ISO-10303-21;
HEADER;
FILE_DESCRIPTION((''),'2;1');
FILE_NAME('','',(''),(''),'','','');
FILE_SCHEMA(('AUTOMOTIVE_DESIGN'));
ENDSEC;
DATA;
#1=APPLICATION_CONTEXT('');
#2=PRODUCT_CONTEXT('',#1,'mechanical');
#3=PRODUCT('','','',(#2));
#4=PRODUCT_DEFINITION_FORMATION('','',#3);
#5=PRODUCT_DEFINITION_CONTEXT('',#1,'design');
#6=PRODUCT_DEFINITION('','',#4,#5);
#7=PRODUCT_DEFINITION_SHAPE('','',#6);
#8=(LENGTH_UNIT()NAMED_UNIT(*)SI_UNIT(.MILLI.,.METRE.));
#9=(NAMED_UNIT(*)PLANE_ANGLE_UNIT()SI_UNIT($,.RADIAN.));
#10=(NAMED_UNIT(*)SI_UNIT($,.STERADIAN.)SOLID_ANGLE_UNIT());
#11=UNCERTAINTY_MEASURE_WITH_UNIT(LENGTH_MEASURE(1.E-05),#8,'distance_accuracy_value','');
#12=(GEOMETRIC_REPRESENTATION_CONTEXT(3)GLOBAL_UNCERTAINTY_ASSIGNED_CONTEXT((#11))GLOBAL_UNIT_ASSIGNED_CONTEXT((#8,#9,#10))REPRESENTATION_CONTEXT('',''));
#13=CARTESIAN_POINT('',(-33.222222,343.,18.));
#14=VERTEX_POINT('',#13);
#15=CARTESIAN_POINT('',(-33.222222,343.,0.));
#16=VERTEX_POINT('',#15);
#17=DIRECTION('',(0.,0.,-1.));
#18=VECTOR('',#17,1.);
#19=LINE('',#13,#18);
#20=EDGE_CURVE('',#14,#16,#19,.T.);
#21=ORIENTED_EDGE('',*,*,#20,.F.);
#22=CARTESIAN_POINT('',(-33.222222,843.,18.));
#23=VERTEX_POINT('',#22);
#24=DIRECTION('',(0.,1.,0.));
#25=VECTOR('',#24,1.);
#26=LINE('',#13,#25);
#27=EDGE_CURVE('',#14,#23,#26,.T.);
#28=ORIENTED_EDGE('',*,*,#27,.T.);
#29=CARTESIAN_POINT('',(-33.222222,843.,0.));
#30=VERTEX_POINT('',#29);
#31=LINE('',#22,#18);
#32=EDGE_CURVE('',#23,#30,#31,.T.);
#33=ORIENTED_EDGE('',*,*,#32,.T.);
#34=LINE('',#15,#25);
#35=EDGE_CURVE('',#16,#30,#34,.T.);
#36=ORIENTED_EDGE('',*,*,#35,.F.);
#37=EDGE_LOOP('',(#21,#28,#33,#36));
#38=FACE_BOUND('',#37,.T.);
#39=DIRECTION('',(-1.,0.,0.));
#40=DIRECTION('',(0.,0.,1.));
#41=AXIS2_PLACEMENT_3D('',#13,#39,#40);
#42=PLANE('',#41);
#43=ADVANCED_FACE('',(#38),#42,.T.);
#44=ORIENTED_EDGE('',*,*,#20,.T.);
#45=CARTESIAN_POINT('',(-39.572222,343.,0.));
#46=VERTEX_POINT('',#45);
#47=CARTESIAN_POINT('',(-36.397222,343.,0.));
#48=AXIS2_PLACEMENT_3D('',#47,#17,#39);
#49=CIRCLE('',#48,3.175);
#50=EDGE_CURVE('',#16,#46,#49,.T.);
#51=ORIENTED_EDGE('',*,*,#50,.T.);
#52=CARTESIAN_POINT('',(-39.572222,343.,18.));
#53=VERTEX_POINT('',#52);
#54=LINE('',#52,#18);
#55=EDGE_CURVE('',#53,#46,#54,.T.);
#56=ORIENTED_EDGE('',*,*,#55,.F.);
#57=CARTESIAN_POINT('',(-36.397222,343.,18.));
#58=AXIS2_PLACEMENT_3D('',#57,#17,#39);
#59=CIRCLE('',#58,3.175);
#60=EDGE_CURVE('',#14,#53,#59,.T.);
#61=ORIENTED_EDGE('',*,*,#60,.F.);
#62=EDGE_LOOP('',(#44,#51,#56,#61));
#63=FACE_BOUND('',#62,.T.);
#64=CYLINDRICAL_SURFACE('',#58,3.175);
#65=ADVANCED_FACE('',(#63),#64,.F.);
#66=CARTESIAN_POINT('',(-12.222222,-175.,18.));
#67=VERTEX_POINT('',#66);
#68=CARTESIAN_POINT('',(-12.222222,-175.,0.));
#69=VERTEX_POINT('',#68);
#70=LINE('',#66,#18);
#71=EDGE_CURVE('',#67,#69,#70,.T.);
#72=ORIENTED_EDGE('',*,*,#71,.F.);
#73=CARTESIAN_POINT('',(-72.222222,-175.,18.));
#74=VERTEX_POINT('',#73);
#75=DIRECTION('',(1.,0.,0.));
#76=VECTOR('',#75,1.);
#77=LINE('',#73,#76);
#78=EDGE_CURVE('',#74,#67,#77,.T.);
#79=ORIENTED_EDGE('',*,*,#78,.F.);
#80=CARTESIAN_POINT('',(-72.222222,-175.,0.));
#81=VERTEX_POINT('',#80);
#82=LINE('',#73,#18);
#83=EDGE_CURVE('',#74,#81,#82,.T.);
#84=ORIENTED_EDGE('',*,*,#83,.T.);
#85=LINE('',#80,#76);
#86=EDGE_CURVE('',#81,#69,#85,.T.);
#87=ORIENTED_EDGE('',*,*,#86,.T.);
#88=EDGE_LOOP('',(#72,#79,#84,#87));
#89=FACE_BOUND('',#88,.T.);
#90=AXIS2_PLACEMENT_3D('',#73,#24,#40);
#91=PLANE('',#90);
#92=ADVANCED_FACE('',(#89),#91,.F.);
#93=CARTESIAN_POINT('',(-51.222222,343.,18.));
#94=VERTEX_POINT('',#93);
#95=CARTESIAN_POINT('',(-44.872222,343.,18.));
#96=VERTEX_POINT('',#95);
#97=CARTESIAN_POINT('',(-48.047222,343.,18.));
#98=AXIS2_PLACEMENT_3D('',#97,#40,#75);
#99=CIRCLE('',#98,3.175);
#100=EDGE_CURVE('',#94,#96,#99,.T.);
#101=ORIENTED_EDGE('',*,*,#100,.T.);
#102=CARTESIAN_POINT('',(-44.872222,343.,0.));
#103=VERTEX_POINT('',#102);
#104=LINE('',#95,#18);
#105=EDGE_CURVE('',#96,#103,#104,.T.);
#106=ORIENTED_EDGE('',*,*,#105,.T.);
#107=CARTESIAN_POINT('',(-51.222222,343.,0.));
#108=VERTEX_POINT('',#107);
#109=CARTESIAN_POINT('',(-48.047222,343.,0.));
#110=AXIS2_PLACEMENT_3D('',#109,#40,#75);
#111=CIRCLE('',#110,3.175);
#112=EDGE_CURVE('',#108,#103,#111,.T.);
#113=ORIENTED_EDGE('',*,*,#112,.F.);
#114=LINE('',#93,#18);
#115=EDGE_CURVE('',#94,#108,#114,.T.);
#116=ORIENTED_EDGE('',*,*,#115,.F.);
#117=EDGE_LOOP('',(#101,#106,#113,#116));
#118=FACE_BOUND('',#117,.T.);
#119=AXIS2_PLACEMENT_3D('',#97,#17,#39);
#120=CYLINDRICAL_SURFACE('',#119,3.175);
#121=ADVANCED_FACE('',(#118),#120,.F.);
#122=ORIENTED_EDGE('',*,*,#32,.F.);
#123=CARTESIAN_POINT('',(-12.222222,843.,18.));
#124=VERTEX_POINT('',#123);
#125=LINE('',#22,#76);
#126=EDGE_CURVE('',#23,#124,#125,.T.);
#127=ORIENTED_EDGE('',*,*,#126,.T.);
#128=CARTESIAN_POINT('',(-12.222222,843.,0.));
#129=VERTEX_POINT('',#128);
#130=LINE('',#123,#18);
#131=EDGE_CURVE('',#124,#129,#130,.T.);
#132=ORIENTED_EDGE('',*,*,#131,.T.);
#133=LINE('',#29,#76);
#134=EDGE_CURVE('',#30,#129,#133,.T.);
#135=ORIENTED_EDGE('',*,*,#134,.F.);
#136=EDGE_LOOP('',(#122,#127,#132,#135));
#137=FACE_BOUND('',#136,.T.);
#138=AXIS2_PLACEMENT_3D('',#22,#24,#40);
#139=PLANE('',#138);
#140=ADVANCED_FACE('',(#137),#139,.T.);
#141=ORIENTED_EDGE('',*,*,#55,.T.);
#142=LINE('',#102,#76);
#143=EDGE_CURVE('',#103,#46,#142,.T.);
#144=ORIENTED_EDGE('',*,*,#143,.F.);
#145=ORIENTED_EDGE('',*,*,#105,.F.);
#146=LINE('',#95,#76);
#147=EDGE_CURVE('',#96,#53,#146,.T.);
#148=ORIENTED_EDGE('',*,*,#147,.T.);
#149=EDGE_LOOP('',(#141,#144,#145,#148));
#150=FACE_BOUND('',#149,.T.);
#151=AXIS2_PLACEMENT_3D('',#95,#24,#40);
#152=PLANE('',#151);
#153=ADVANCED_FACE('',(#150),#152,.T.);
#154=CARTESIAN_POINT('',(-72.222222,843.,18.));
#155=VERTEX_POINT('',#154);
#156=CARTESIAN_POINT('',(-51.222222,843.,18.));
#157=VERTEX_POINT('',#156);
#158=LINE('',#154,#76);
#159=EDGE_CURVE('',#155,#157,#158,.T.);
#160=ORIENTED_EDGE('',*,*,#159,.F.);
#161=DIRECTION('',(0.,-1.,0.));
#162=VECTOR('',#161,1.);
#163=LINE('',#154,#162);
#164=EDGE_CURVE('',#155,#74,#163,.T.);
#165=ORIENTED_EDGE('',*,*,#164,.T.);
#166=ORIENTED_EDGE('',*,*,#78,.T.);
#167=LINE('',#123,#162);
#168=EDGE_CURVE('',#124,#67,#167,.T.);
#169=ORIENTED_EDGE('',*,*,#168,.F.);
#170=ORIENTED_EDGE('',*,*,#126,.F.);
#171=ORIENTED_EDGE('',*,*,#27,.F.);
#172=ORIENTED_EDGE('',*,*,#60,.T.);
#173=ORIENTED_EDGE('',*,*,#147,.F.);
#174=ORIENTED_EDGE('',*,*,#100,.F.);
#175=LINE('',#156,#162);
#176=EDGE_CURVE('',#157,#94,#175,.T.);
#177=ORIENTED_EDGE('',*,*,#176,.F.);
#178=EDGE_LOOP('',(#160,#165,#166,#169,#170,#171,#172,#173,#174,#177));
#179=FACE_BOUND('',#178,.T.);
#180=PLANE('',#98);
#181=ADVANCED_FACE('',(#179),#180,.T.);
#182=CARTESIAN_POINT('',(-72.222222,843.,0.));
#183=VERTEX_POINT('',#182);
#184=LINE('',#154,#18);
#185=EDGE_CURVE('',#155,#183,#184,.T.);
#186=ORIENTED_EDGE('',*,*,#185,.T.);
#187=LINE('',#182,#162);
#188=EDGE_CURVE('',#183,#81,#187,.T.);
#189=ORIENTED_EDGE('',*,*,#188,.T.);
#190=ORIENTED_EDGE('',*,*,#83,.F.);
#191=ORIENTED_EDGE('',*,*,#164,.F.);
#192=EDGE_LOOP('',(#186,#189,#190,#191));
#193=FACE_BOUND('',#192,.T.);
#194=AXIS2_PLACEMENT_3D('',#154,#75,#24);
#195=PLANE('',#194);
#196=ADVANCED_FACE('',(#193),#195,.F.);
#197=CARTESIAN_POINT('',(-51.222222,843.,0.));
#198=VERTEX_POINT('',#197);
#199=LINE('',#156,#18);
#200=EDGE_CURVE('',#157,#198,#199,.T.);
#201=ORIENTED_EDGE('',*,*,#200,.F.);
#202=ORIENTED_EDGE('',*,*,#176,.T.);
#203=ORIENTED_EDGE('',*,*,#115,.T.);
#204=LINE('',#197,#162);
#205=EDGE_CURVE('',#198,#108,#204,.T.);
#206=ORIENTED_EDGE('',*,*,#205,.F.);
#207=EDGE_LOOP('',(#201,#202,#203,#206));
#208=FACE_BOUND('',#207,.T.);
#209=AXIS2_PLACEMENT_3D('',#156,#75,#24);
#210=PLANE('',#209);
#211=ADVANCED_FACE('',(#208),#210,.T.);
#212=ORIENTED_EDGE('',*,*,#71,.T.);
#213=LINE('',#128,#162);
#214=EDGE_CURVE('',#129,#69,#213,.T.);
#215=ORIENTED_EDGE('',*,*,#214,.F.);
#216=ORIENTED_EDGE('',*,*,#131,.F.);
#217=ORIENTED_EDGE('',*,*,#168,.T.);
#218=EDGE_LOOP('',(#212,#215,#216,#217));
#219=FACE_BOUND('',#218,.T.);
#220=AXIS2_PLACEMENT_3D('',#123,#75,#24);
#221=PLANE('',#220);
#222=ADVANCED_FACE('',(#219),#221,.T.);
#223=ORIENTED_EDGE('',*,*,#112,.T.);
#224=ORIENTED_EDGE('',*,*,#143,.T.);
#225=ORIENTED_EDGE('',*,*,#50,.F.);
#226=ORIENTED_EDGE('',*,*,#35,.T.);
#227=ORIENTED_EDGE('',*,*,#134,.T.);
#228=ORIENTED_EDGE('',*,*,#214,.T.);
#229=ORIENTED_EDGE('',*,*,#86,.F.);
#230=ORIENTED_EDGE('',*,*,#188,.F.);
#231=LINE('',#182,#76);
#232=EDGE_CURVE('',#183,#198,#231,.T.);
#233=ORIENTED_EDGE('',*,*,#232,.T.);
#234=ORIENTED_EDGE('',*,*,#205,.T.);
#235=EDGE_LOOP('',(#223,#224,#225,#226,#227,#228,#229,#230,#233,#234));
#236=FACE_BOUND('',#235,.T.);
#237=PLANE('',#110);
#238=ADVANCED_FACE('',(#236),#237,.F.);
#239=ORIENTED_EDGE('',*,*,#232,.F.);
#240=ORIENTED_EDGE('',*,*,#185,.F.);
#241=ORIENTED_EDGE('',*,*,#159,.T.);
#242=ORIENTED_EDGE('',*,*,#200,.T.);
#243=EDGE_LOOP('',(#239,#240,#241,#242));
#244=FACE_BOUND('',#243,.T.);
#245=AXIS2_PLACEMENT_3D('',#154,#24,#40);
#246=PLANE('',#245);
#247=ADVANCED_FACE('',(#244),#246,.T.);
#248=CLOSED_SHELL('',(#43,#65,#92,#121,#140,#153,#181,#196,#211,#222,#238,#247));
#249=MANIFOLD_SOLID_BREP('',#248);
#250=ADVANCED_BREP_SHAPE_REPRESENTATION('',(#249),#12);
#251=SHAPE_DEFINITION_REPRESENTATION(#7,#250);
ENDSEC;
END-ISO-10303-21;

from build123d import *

# Parameters (mm, degrees)
ESTRUSIONE_ESTRUSIONE1_DEPTH = 18


with BuildPart() as part:
    # Schizzo1 → Estrusione-Estrusione1 (new body)
    with BuildSketch(Plane.XY):
        with BuildLine():
            Line((-51.222222222, 843), (-51.222222222, 343))
            ThreePointArc((-51.222222222, 343), (-48.047222222, 339.825), (-44.872222222, 343))
            Line((-44.872222222, 343), (-39.572222222, 343))
            ThreePointArc((-39.572222222, 343), (-36.397222222, 339.825), (-33.222222222, 343))
            Line((-33.222222222, 343), (-33.222222222, 843))
            Line((-33.222222222, 843), (-12.222222222, 843))
            Line((-12.222222222, 843), (-12.222222222, -175))
            Line((-12.222222222, -175), (-72.222222222, -175))
            Line((-72.222222222, -175), (-72.222222222, 843))
            Line((-72.222222222, 843), (-51.222222222, 843))
        make_face()
    extrude(amount=ESTRUSIONE_ESTRUSIONE1_DEPTH)


solid = part.part
